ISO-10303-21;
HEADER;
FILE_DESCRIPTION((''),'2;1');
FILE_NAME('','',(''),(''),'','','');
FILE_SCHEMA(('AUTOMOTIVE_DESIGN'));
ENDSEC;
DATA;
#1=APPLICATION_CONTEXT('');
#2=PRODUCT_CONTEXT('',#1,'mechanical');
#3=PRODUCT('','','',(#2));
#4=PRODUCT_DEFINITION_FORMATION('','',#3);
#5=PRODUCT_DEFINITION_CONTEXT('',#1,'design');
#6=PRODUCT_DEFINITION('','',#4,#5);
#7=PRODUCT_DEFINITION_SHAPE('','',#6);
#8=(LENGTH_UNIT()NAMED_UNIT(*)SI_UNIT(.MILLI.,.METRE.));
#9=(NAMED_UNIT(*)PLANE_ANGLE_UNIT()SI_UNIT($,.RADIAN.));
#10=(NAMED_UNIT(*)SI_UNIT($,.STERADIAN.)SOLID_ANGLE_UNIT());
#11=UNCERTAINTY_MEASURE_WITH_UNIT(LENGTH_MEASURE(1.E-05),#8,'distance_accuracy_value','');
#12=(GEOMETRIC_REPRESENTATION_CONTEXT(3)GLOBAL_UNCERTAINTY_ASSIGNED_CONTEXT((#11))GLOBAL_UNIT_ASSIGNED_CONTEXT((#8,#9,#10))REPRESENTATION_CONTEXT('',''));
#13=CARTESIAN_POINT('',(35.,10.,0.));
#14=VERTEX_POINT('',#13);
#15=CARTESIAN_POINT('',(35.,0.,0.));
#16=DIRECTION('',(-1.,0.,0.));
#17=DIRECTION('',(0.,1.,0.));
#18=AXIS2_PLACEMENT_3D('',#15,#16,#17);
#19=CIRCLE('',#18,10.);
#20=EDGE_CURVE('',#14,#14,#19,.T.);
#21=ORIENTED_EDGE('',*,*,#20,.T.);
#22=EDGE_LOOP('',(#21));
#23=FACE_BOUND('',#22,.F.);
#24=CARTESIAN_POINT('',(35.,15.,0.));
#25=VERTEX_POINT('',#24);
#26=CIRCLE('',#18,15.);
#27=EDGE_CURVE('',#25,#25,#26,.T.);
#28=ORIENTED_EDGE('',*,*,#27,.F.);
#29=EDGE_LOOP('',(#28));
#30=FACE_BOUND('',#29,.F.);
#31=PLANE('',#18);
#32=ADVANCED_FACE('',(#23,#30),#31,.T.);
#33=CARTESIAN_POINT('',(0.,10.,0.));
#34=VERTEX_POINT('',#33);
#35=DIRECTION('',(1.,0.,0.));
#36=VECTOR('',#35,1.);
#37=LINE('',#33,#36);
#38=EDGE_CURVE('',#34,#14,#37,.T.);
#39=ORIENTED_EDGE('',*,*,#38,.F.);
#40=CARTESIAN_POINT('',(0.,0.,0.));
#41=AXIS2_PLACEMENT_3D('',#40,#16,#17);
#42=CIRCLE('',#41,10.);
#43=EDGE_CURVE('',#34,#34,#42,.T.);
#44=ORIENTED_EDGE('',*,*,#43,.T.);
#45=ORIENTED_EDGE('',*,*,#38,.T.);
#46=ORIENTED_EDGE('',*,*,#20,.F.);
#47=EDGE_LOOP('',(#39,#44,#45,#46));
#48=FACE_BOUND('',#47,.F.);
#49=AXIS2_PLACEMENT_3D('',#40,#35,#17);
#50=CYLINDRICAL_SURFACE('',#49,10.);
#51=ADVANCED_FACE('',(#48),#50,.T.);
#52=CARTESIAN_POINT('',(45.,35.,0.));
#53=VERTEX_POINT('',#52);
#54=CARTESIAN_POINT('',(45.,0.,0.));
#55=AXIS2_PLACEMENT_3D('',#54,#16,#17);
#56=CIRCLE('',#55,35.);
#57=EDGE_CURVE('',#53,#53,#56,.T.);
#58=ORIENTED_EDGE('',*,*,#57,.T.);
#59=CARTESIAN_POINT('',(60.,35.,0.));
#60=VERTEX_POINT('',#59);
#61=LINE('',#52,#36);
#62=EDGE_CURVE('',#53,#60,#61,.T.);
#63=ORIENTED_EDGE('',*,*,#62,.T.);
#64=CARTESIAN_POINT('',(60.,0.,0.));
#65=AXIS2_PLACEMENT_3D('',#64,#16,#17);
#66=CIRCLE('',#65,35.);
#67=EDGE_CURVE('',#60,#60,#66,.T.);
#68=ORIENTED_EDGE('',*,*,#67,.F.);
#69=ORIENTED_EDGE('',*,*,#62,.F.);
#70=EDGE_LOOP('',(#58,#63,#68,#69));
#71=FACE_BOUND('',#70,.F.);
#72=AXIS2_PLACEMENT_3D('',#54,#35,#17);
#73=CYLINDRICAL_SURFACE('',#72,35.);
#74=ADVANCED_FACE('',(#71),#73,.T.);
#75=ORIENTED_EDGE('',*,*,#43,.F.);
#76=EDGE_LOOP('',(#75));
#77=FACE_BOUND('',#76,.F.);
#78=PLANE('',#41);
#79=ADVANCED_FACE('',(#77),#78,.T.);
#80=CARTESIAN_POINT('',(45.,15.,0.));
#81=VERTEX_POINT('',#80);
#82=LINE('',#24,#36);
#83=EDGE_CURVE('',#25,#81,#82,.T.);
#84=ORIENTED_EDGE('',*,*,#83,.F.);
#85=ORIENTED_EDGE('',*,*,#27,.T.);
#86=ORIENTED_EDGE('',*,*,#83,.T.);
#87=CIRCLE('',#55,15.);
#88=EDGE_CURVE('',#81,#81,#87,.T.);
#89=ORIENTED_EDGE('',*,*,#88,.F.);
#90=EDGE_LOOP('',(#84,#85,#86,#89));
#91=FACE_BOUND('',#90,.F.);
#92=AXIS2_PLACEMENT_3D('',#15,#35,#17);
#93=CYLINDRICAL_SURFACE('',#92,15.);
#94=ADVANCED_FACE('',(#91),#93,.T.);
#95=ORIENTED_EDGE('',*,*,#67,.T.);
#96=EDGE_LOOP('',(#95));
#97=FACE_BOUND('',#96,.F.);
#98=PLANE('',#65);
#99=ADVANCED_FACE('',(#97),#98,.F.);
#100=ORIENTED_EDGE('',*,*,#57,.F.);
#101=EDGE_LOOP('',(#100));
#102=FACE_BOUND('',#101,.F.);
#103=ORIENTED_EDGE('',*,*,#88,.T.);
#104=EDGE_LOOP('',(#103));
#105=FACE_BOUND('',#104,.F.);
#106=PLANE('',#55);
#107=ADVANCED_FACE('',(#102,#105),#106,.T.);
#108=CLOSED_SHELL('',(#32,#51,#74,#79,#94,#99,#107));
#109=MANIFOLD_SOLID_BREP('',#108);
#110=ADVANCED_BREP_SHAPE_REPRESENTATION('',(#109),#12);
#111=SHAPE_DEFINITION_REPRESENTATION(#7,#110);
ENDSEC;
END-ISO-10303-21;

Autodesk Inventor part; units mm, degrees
ref_plane "YZ Plane" through (0, 0, 0) normal (1, 0, 0) x (0, 1, 0)
ref_plane "XZ Plane" through (0, 0, 0) normal (0, 1, 0) x (-1, 0, 0)
ref_plane "XY Plane" through (0, 0, 0) normal (0, 0, 1) x (1, 0, 0)
sketch "Sketch1" plane through (0, 0, 0) normal (0, 0, 1) x (1, 0, 0)
  line L0 (0, 0) -> (0, 10)
  line L1 (0, 10) -> (35, 10)
  line L2 (35, 10) -> (35, 15)
  line L3 (35, 15) -> (45, 15)
  line L4 (45, 15) -> (45, 35)
  line L5 (45, 35) -> (60, 35)
  line L6 (60, 35) -> (60, 0)
  line L7 (60, 0) -> (0, 0)
  dimension "d4" = 10
  dimension "d5" = 35
  dimension "d6" = 5
  dimension "d7" = 10
  dimension "d8" = 20
  dimension "d9" = 15
revolve "Revolution1" add sketch "Sketch1" angle 360 about axis through (60, 0, 0) along (-1, 0, 0)
thread "Thread1" size "M20x2.5" class "6g" standard "ANSI Metric M Profile" full length
properties part number "Knob"
